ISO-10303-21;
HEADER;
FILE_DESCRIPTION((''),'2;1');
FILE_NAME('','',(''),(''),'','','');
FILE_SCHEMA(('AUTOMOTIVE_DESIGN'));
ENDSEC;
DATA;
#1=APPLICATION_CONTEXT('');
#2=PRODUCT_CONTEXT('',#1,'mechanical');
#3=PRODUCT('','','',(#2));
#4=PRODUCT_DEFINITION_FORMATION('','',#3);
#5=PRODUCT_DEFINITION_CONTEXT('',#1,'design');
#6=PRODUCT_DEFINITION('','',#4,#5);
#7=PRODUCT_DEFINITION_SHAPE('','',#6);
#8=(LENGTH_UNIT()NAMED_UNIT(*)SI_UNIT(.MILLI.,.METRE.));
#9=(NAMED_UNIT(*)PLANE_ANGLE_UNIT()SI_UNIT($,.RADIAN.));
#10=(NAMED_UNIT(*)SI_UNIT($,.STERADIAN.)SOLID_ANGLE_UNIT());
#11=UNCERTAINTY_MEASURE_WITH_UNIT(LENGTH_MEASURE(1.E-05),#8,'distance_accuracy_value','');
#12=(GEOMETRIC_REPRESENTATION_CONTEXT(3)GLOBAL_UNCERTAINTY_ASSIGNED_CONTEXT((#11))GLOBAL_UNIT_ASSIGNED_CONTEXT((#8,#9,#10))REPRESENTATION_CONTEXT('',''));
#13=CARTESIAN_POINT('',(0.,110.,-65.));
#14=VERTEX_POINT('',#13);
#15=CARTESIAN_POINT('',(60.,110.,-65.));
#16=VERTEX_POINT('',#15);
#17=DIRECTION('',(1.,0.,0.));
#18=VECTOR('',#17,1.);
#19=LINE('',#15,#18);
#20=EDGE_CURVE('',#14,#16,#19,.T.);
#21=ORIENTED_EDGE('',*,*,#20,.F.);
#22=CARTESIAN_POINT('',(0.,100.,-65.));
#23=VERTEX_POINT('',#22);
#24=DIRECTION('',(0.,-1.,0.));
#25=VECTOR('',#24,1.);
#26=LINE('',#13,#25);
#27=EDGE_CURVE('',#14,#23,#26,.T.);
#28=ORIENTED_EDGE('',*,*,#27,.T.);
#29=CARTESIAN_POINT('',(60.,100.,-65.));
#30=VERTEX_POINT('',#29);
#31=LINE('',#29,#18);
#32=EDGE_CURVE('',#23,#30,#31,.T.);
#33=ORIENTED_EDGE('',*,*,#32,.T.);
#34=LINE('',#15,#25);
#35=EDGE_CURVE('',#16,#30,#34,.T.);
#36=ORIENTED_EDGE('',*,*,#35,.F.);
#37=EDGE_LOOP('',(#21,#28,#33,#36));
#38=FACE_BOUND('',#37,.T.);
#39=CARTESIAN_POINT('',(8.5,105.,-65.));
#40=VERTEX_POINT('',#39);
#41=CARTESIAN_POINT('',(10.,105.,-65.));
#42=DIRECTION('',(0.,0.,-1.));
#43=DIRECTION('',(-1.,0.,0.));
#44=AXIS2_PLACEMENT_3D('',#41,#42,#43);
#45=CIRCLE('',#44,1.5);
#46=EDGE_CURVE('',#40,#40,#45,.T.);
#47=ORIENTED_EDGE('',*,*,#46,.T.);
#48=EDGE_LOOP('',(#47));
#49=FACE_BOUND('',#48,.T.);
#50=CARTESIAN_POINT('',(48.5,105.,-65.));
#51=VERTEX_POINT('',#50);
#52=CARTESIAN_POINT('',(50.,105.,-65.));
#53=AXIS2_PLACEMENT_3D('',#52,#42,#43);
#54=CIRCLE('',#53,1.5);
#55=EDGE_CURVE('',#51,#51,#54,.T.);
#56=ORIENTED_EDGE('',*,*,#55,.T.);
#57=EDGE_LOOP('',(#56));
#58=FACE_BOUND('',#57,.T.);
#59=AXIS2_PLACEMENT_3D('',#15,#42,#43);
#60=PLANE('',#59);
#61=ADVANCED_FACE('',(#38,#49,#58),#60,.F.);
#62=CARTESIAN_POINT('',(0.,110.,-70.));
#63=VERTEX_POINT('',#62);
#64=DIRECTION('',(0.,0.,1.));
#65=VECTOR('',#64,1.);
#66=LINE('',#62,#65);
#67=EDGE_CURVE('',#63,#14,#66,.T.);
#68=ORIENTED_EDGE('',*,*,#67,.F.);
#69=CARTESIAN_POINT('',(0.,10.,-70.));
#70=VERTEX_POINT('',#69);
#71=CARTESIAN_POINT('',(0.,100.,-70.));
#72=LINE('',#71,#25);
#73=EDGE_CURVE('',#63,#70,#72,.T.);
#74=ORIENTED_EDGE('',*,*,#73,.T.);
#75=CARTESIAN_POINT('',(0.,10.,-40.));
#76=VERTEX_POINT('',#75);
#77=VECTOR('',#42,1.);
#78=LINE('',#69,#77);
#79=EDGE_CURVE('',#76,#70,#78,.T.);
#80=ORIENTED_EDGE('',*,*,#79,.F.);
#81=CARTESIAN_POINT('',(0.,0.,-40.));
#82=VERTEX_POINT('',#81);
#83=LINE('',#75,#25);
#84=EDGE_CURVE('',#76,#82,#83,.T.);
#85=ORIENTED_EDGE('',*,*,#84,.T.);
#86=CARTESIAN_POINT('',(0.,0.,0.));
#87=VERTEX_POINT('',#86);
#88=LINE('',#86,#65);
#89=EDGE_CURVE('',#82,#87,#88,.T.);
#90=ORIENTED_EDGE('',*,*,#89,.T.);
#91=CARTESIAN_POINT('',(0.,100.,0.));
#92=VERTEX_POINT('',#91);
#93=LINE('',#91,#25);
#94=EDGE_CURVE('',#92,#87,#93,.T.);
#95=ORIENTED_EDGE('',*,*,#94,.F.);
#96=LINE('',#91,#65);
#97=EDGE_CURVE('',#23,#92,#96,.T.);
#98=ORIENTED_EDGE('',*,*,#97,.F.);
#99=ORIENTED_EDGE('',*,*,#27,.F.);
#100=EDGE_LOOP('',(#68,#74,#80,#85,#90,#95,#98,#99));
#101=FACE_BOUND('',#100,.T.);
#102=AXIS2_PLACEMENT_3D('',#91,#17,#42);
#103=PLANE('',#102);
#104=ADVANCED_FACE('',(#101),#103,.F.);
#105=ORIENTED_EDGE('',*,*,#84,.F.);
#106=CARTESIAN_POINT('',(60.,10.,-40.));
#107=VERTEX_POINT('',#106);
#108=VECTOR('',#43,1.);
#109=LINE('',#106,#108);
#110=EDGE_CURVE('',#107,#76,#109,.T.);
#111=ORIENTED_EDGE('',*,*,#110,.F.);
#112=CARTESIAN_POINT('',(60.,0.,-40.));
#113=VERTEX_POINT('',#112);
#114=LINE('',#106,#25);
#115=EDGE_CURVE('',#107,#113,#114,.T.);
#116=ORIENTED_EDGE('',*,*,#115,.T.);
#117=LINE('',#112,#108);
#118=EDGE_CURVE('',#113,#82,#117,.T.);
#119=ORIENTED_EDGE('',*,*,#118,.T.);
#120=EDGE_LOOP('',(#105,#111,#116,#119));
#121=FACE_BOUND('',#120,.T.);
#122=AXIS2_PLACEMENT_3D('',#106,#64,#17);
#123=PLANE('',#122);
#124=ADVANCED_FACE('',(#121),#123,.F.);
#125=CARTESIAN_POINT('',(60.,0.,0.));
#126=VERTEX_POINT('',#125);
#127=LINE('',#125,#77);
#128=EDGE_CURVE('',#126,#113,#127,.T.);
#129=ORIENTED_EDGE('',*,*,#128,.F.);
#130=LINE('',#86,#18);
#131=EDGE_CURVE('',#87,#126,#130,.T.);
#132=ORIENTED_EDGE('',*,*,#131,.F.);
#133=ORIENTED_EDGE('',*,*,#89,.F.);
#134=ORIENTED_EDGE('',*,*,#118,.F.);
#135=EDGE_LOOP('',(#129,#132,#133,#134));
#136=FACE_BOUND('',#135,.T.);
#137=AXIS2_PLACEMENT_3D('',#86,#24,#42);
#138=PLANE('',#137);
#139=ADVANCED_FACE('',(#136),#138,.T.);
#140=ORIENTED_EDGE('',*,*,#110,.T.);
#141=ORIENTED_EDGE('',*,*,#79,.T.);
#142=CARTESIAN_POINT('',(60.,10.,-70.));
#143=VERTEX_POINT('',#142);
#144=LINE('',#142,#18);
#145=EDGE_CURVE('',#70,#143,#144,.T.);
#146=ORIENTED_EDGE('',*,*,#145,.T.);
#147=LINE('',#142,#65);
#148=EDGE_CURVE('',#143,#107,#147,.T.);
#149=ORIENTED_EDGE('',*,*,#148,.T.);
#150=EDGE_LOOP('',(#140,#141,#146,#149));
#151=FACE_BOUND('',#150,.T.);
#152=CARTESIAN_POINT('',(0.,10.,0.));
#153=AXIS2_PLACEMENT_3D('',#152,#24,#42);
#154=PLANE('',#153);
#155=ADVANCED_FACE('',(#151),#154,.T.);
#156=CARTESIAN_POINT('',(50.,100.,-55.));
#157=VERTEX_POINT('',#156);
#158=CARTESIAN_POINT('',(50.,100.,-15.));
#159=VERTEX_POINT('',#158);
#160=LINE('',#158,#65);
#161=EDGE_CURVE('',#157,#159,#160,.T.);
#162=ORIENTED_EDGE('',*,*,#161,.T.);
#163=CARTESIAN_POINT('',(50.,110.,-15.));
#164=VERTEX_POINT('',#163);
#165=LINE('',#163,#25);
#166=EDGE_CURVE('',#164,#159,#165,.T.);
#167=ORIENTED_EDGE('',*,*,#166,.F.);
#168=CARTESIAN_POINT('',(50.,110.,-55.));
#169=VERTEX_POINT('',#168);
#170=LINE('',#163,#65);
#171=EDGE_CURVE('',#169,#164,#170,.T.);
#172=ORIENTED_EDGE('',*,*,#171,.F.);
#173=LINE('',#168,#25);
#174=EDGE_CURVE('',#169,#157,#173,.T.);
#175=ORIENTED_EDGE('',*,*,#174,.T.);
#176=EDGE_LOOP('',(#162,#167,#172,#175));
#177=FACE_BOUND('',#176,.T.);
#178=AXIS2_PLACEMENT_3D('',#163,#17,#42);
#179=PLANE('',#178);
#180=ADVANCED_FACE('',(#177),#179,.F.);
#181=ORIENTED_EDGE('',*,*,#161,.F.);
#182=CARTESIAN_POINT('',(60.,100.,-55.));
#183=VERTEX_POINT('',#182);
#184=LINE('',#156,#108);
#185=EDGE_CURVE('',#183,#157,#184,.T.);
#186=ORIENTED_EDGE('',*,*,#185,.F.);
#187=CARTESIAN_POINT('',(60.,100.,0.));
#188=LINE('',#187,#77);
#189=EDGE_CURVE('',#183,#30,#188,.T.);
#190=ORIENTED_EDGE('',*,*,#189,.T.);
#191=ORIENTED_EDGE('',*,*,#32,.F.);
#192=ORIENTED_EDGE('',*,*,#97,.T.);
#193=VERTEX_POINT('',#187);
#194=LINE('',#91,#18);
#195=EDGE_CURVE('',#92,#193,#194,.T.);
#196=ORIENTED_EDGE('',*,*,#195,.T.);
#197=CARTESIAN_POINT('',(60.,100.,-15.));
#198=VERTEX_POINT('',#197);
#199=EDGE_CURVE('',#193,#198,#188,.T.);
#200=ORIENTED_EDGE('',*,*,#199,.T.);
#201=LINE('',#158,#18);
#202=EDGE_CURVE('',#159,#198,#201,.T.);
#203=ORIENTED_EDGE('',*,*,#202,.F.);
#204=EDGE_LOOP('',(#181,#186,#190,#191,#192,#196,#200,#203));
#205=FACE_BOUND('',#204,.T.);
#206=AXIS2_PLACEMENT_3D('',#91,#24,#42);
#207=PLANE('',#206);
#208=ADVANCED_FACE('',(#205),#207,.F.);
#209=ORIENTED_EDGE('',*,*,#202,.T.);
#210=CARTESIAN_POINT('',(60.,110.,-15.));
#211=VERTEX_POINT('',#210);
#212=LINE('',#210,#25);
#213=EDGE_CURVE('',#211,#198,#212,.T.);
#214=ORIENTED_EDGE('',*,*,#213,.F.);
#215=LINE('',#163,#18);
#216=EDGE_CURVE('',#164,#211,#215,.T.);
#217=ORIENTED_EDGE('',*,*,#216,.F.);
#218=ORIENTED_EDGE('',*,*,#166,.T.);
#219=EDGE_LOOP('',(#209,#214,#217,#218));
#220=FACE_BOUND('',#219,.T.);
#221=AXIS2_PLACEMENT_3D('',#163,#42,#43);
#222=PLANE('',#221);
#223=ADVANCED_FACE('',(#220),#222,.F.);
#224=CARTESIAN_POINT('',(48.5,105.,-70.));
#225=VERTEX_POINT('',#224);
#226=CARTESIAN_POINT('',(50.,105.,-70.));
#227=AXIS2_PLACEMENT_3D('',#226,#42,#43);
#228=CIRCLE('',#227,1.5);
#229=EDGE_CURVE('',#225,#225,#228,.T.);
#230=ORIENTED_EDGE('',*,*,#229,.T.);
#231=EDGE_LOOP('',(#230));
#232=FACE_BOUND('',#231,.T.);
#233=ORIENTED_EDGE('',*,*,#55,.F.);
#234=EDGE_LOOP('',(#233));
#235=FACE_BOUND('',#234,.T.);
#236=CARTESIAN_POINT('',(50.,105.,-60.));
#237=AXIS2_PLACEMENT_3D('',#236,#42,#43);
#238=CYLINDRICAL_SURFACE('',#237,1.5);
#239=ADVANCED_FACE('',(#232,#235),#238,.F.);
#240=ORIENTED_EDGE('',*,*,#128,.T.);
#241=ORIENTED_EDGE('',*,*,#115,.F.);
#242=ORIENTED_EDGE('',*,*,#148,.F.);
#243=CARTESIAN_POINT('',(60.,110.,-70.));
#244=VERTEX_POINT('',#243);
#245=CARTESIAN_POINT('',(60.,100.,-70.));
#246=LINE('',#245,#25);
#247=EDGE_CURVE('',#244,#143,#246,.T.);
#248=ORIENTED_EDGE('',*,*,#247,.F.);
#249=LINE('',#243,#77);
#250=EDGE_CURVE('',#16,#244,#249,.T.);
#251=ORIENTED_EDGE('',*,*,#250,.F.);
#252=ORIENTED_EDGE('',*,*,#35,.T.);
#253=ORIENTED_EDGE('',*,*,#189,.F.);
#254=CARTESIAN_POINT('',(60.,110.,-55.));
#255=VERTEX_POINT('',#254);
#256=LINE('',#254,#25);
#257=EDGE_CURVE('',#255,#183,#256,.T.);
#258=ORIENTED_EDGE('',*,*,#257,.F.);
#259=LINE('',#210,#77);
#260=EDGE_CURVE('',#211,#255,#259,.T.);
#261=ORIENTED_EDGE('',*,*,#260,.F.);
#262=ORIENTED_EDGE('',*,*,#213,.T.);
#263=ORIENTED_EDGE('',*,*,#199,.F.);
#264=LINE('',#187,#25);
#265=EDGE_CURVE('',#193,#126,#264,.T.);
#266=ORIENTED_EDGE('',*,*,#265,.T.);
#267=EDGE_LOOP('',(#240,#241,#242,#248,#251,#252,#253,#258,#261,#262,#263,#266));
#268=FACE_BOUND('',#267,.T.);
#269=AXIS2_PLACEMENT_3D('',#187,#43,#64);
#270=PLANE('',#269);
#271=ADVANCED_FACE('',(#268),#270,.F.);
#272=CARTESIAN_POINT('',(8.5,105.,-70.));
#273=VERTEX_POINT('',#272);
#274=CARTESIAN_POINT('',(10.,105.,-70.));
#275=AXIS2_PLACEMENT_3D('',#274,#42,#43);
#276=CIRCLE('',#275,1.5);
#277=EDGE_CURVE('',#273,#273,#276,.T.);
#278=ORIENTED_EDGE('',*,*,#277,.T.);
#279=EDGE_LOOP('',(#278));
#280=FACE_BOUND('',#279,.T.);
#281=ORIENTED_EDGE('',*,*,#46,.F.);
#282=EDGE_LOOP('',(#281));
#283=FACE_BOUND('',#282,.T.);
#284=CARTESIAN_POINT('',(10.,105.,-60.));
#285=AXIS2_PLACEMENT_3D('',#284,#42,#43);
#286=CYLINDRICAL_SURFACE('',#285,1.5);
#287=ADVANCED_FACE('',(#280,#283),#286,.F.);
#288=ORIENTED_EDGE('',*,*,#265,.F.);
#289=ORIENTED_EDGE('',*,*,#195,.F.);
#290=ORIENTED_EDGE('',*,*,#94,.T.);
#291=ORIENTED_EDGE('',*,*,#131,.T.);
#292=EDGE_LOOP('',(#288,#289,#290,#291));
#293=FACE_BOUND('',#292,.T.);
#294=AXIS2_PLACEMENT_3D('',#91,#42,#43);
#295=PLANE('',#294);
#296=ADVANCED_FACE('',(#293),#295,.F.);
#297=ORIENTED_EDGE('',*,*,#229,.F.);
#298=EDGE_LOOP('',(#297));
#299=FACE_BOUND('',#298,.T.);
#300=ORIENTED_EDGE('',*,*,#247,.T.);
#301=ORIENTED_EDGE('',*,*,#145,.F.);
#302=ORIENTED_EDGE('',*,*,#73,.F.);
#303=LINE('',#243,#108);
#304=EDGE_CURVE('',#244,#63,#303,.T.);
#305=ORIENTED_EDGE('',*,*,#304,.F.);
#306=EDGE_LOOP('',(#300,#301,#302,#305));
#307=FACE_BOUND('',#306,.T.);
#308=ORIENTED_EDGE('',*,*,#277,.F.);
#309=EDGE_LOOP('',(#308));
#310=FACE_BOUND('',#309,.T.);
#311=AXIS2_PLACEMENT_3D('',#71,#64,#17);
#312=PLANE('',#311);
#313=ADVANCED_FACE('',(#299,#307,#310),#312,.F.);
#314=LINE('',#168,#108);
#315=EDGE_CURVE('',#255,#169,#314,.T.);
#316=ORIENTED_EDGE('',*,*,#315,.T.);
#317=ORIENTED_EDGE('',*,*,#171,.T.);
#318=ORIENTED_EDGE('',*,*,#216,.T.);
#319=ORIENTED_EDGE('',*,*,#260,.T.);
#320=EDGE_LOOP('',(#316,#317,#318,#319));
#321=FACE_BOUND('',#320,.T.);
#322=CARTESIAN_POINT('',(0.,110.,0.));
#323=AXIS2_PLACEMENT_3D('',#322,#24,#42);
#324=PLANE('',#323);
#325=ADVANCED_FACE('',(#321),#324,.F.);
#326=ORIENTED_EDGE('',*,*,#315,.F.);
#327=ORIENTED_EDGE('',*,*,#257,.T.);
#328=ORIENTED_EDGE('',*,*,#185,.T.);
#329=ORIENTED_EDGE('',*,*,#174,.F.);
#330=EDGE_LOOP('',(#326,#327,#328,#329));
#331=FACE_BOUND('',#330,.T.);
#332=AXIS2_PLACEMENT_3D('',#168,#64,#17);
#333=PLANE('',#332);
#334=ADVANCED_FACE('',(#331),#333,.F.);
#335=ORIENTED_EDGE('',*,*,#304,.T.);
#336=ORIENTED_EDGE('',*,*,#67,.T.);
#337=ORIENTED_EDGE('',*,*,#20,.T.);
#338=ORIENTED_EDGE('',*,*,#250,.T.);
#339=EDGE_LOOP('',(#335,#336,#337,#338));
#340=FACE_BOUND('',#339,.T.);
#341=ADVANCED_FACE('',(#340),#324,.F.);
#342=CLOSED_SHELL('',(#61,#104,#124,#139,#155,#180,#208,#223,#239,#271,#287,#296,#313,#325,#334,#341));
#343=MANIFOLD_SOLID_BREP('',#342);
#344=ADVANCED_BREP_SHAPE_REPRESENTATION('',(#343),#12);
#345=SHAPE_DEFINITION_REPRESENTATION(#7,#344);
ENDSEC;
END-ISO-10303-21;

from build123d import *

# Parameters (mm, degrees)
SKETCH1_W           = 60
SKETCH1_H           = 70
BOSS_EXTRUDE1_DEPTH = 100
SKETCH2_W           = 10
SKETCH2_H           = 40
BOSS_EXTRUDE2_DEPTH = 10
SKETCH5_W           = 60
SKETCH5_H           = 5
BOSS_EXTRUDE4_DEPTH = 10
SKETCH6_R           = 1.5
CUT_EXTRUDE4_DEPTH  = 10
SKETCH7_W           = 60
SKETCH7_H           = 30
CUT_EXTRUDE5_DEPTH  = 10


with BuildPart() as part:
    # Sketch1 → Boss-Extrude1 (new body)
    with BuildSketch(Plane(origin=(0, 0, 0), x_dir=(1, 0, 0), z_dir=(0, 1, 0))):
        with Locations((30, 35)):
            Rectangle(SKETCH1_W, SKETCH1_H)
    extrude(amount=BOSS_EXTRUDE1_DEPTH)

    # Sketch2 → Boss-Extrude2 (add)
    with BuildSketch(Plane(origin=(0, 100, 0), x_dir=(1, 0, 0), z_dir=(0, 1, 0))):
        with Locations((55, 35)):
            Rectangle(SKETCH2_W, SKETCH2_H)
    extrude(amount=BOSS_EXTRUDE2_DEPTH)

    # Sketch5 → Boss-Extrude4 (add)
    with BuildSketch(Plane(origin=(0, 100, 0), x_dir=(1, 0, 0), z_dir=(0, 1, 0))):
        with Locations((30, 67.5)):
            Rectangle(SKETCH5_W, SKETCH5_H)
    extrude(amount=BOSS_EXTRUDE4_DEPTH)

    # Sketch6 → Cut-Extrude4 (cut)
    with BuildSketch(Plane(origin=(0, 0, -70), x_dir=(-1, 0, 0), z_dir=(0, 0, -1))):
        with Locations((-50, 105)):
            Circle(SKETCH6_R)
        with Locations((-10, 105)):
            Circle(SKETCH6_R)
    extrude(amount=-CUT_EXTRUDE4_DEPTH, mode=Mode.SUBTRACT)

    # Sketch7 → Cut-Extrude5 (cut)
    with BuildSketch(Plane.XZ):
        with Locations((30, -55)):
            Rectangle(SKETCH7_W, SKETCH7_H)
    extrude(amount=-CUT_EXTRUDE5_DEPTH, mode=Mode.SUBTRACT)


solid = part.part
